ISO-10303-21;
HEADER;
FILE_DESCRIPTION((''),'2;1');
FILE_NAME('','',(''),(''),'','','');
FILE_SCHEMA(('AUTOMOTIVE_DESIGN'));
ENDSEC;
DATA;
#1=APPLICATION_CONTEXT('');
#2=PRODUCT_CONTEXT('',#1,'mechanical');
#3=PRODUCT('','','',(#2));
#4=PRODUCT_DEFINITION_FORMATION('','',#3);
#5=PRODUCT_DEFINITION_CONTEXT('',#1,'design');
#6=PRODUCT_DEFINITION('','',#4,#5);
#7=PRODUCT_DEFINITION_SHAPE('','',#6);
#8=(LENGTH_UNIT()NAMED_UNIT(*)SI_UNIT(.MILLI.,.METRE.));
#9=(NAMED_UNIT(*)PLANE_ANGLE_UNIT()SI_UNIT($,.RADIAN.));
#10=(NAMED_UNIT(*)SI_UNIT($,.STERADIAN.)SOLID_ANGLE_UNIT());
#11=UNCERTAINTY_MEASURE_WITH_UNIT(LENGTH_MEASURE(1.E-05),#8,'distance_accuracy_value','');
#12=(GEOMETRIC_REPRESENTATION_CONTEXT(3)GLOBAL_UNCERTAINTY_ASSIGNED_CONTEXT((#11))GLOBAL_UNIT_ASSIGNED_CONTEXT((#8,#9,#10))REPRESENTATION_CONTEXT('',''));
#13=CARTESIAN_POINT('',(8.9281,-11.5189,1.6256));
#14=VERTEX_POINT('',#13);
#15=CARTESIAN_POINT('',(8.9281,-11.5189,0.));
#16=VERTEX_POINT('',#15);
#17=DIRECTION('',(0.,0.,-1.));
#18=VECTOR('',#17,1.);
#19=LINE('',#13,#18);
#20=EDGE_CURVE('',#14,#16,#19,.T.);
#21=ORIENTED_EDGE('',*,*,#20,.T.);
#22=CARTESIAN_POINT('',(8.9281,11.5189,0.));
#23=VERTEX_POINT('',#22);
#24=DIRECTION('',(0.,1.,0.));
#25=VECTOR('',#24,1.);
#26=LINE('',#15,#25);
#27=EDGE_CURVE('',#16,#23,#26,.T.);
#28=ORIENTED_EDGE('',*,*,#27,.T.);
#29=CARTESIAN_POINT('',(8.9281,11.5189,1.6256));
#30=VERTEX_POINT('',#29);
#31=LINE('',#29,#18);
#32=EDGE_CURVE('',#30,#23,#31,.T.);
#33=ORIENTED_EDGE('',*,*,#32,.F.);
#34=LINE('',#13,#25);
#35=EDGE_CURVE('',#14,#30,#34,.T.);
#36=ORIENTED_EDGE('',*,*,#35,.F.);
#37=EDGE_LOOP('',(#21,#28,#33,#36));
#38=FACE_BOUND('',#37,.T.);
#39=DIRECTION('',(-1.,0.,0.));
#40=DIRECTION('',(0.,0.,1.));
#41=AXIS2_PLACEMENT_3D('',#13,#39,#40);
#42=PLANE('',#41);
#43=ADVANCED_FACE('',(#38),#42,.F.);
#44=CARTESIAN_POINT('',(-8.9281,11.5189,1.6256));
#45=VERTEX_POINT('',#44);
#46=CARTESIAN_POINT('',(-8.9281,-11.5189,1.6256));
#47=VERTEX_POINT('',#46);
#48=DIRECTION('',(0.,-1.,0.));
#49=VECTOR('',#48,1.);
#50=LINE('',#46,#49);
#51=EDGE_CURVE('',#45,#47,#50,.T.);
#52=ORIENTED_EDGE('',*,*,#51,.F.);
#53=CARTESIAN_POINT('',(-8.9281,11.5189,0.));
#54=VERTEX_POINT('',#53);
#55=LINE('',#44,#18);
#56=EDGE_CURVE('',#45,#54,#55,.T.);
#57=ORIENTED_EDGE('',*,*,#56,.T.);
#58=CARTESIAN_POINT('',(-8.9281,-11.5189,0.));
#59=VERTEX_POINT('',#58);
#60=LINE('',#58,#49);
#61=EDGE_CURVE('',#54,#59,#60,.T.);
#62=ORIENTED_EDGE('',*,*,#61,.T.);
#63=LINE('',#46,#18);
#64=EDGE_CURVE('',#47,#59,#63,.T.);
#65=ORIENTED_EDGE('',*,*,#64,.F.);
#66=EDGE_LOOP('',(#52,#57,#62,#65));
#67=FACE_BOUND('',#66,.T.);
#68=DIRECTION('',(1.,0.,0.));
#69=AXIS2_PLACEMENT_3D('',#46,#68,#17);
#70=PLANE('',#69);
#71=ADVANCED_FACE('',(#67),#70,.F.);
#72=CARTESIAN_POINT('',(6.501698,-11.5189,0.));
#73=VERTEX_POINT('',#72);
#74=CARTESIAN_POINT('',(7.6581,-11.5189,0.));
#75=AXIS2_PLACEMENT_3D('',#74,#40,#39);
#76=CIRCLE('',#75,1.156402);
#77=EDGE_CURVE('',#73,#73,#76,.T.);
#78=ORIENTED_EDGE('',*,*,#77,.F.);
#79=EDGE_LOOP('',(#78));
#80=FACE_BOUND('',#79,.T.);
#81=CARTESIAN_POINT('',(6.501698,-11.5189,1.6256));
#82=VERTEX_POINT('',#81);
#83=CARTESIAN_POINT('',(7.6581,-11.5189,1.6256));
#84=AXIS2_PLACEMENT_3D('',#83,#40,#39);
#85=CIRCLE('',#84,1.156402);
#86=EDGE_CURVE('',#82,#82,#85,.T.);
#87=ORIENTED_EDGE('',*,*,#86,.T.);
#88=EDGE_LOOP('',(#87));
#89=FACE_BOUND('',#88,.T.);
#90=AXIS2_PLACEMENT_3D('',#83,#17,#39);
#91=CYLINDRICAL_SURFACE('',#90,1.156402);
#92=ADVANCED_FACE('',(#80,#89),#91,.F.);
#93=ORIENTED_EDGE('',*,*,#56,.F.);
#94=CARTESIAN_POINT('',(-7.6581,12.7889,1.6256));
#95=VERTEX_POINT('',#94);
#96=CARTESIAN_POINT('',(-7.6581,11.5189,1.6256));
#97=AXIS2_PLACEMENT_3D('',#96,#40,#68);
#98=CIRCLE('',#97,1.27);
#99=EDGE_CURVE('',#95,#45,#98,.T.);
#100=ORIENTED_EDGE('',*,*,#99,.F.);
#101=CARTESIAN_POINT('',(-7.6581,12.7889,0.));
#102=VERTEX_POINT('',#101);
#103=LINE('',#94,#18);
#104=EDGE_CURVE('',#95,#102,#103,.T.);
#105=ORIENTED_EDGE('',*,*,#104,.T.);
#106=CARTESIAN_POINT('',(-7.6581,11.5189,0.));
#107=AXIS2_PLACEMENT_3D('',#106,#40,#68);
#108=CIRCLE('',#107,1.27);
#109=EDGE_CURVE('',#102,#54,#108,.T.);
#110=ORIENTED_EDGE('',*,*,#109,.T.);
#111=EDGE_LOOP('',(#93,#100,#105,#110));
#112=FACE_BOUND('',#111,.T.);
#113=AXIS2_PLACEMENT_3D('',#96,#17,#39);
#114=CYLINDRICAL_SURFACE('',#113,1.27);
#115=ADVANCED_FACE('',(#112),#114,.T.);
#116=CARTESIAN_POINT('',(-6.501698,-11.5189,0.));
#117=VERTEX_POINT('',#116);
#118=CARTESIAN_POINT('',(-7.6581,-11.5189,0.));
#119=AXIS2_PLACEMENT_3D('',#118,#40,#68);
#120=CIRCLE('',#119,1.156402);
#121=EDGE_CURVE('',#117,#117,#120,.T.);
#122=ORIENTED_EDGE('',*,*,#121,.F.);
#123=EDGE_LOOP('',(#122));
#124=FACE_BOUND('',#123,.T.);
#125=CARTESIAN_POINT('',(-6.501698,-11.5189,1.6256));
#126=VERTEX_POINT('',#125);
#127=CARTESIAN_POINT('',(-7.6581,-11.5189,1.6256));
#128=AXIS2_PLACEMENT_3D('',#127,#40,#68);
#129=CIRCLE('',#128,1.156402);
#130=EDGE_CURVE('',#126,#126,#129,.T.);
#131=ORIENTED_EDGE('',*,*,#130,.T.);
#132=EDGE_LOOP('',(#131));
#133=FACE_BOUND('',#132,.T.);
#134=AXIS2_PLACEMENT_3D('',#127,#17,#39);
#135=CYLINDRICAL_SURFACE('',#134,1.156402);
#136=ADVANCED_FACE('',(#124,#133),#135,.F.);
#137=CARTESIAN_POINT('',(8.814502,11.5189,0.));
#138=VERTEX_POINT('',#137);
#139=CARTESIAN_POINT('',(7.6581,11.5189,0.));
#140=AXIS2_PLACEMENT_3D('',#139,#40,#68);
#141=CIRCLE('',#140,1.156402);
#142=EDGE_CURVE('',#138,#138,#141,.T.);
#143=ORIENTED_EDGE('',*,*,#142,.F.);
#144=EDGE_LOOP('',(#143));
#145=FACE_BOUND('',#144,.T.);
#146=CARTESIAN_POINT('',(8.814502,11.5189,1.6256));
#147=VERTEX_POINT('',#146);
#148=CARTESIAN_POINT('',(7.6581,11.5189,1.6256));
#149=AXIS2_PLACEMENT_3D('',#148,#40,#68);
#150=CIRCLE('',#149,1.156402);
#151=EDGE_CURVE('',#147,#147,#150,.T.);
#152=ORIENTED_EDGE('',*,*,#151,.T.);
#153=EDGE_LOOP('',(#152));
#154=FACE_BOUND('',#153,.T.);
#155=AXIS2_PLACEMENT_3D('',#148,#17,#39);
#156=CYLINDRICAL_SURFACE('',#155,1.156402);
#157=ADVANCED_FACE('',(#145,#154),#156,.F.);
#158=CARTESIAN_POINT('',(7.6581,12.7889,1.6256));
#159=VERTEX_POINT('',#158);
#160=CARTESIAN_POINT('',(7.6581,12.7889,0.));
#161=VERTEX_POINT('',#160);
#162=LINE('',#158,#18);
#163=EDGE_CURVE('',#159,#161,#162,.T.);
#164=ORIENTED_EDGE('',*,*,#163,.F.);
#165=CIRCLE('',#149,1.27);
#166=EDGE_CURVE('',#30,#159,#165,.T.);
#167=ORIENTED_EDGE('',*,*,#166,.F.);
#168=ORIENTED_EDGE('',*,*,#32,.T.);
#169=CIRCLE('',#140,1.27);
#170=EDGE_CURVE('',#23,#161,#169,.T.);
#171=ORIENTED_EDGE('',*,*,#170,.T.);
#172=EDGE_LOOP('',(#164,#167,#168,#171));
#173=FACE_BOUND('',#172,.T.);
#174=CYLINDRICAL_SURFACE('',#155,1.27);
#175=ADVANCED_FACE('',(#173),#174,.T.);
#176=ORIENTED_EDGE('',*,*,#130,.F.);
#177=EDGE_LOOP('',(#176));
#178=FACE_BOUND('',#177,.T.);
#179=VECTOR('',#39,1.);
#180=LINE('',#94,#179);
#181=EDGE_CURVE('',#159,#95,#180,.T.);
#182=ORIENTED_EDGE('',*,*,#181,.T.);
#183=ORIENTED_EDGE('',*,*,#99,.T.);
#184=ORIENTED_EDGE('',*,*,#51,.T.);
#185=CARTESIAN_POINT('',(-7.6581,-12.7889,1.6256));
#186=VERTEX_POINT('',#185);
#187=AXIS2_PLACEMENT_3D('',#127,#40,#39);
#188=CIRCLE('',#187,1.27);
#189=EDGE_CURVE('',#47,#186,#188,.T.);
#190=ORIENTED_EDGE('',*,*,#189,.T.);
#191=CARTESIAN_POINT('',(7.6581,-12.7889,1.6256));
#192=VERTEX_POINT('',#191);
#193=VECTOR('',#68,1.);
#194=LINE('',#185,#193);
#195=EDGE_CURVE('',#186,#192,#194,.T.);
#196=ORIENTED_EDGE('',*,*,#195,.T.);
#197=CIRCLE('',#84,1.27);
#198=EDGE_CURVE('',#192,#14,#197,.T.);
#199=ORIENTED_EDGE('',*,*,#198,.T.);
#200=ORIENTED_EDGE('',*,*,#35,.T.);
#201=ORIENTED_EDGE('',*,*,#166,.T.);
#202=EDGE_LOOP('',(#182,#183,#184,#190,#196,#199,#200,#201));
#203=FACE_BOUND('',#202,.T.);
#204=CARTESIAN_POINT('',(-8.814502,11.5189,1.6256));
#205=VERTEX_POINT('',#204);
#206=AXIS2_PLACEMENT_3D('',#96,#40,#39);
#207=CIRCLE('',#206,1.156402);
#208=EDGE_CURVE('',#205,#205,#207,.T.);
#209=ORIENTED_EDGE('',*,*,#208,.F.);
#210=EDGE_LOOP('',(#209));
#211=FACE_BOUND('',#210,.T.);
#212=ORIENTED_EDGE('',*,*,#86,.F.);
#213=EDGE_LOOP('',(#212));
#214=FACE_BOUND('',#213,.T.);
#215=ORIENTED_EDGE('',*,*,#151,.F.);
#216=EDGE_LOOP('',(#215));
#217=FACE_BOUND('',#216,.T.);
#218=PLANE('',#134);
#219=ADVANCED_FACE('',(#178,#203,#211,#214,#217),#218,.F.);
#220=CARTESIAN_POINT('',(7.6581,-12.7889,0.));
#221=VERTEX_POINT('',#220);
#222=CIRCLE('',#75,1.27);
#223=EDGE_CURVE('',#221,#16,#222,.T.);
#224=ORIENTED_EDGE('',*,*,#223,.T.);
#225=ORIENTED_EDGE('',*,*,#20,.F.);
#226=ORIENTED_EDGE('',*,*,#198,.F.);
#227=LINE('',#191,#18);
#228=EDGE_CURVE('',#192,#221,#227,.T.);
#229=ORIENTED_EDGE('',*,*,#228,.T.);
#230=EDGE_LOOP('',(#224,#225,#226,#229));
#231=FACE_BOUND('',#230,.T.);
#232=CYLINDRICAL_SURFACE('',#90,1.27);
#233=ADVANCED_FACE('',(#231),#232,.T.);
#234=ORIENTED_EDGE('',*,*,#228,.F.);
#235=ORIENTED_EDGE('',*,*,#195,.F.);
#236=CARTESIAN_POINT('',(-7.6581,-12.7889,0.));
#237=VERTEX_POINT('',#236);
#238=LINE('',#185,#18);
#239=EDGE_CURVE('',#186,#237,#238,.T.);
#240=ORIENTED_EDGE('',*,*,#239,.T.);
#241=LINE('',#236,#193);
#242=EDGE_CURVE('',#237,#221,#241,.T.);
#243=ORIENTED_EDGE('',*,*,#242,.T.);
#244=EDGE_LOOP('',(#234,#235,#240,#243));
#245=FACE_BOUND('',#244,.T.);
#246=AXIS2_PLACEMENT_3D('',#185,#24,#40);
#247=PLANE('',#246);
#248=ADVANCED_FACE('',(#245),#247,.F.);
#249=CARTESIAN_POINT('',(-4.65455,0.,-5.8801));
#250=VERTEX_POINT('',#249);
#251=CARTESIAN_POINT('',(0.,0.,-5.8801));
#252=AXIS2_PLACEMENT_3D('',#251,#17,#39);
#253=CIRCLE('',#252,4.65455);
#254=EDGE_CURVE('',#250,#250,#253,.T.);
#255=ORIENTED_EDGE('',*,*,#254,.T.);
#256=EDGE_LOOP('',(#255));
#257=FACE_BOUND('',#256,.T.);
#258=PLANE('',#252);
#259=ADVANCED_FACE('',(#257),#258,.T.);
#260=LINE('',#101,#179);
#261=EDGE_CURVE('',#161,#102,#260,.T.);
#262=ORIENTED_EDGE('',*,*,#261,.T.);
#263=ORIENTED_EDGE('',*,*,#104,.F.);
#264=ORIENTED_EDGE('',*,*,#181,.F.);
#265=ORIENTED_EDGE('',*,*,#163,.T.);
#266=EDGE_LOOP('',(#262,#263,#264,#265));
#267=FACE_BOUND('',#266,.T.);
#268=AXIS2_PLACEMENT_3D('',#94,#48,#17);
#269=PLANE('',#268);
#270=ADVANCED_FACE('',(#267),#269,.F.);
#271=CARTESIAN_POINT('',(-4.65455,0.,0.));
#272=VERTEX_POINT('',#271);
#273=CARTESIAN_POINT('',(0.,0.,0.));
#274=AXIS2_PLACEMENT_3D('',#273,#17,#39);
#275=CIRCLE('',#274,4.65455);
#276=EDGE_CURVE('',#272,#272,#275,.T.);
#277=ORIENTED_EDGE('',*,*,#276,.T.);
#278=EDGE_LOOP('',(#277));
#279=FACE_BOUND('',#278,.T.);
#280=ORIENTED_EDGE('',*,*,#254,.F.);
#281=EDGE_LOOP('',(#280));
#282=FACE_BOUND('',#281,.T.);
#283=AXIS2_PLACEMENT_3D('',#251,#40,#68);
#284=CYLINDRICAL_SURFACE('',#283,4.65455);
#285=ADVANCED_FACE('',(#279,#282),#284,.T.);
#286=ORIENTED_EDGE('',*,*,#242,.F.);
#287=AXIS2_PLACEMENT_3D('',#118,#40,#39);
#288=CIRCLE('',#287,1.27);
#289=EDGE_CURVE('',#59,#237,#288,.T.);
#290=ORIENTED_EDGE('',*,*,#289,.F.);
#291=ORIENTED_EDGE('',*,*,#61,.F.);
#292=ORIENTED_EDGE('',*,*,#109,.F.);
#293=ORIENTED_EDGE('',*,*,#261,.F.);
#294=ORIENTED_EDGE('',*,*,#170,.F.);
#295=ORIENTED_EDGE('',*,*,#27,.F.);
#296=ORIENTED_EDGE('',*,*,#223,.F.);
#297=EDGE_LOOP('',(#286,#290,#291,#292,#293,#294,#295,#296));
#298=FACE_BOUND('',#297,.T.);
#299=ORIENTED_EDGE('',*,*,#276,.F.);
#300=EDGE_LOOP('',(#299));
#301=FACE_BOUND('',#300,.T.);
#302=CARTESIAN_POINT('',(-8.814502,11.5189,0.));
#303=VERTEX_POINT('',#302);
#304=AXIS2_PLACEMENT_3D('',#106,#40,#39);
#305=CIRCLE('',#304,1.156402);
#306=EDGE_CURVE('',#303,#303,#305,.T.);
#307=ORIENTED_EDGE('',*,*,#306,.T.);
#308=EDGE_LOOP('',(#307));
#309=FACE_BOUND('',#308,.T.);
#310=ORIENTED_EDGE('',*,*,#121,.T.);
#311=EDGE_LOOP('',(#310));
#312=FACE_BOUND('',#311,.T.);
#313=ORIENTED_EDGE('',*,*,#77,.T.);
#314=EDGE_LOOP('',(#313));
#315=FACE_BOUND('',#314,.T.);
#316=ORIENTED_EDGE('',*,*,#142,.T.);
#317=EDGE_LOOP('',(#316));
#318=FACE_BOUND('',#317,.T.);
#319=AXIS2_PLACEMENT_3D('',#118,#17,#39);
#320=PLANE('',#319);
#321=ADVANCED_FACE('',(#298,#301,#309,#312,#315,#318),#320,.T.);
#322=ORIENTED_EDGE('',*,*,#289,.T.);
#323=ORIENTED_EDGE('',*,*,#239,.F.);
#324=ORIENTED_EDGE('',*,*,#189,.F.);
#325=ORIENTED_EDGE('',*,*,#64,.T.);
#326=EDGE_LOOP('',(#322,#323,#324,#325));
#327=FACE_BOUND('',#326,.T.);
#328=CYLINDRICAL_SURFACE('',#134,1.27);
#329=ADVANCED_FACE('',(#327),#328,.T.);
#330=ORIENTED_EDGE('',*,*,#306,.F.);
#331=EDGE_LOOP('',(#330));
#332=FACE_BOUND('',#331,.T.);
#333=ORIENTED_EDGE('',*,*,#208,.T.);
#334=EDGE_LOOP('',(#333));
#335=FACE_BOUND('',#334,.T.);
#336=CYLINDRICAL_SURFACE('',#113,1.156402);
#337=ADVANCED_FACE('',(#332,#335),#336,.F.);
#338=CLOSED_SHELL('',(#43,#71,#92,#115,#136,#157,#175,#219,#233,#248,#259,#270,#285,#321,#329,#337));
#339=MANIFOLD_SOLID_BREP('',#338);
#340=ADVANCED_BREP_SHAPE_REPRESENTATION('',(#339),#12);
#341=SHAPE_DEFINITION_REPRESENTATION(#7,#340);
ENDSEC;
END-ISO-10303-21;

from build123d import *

# Parameters (mm, degrees)
SKETCH2_R           = 1.156401536
BOSS_EXTRUDE1_DEPTH = 1.6256
SKETCH3_R           = 4.65455
BOSS_EXTRUDE2_DEPTH = 5.8801


with BuildPart() as part:
    # Sketch2 → Boss-Extrude1 (new body)
    with BuildSketch(Plane.XY):
        with BuildLine():
            Line((-7.6581, -12.7889), (7.6581, -12.7889))
            ThreePointArc((7.6581, -12.7889), (8.556125612, -12.416925612), (8.9281, -11.5189))
            Line((8.9281, -11.5189), (8.9281, 11.5189))
            ThreePointArc((8.9281, 11.5189), (8.556125612, 12.416925612), (7.6581, 12.7889))
            Line((7.6581, 12.7889), (-7.6581, 12.7889))
            ThreePointArc((-7.6581, 12.7889), (-8.556125612, 12.416925612), (-8.9281, 11.5189))
            Line((-8.9281, 11.5189), (-8.9281, -11.5189))
            ThreePointArc((-8.9281, -11.5189), (-8.556125612, -12.416925612), (-7.6581, -12.7889))
        make_face()
        with Locations((7.6581, 11.5189)):
            Circle(SKETCH2_R, mode=Mode.SUBTRACT)
        with Locations((-7.6581, 11.5189)):
            Circle(SKETCH2_R, mode=Mode.SUBTRACT)
        with Locations((7.6581, -11.5189)):
            Circle(SKETCH2_R, mode=Mode.SUBTRACT)
        with Locations((-7.6581, -11.5189)):
            Circle(SKETCH2_R, mode=Mode.SUBTRACT)
    extrude(amount=BOSS_EXTRUDE1_DEPTH)

    # Sketch3 → Boss-Extrude2 (add)
    with BuildSketch(Plane(origin=(0, 0, 0), x_dir=(-1, 0, 0), z_dir=(0, 0, -1))):
        Circle(SKETCH3_R)
    extrude(amount=BOSS_EXTRUDE2_DEPTH)


solid = part.part
